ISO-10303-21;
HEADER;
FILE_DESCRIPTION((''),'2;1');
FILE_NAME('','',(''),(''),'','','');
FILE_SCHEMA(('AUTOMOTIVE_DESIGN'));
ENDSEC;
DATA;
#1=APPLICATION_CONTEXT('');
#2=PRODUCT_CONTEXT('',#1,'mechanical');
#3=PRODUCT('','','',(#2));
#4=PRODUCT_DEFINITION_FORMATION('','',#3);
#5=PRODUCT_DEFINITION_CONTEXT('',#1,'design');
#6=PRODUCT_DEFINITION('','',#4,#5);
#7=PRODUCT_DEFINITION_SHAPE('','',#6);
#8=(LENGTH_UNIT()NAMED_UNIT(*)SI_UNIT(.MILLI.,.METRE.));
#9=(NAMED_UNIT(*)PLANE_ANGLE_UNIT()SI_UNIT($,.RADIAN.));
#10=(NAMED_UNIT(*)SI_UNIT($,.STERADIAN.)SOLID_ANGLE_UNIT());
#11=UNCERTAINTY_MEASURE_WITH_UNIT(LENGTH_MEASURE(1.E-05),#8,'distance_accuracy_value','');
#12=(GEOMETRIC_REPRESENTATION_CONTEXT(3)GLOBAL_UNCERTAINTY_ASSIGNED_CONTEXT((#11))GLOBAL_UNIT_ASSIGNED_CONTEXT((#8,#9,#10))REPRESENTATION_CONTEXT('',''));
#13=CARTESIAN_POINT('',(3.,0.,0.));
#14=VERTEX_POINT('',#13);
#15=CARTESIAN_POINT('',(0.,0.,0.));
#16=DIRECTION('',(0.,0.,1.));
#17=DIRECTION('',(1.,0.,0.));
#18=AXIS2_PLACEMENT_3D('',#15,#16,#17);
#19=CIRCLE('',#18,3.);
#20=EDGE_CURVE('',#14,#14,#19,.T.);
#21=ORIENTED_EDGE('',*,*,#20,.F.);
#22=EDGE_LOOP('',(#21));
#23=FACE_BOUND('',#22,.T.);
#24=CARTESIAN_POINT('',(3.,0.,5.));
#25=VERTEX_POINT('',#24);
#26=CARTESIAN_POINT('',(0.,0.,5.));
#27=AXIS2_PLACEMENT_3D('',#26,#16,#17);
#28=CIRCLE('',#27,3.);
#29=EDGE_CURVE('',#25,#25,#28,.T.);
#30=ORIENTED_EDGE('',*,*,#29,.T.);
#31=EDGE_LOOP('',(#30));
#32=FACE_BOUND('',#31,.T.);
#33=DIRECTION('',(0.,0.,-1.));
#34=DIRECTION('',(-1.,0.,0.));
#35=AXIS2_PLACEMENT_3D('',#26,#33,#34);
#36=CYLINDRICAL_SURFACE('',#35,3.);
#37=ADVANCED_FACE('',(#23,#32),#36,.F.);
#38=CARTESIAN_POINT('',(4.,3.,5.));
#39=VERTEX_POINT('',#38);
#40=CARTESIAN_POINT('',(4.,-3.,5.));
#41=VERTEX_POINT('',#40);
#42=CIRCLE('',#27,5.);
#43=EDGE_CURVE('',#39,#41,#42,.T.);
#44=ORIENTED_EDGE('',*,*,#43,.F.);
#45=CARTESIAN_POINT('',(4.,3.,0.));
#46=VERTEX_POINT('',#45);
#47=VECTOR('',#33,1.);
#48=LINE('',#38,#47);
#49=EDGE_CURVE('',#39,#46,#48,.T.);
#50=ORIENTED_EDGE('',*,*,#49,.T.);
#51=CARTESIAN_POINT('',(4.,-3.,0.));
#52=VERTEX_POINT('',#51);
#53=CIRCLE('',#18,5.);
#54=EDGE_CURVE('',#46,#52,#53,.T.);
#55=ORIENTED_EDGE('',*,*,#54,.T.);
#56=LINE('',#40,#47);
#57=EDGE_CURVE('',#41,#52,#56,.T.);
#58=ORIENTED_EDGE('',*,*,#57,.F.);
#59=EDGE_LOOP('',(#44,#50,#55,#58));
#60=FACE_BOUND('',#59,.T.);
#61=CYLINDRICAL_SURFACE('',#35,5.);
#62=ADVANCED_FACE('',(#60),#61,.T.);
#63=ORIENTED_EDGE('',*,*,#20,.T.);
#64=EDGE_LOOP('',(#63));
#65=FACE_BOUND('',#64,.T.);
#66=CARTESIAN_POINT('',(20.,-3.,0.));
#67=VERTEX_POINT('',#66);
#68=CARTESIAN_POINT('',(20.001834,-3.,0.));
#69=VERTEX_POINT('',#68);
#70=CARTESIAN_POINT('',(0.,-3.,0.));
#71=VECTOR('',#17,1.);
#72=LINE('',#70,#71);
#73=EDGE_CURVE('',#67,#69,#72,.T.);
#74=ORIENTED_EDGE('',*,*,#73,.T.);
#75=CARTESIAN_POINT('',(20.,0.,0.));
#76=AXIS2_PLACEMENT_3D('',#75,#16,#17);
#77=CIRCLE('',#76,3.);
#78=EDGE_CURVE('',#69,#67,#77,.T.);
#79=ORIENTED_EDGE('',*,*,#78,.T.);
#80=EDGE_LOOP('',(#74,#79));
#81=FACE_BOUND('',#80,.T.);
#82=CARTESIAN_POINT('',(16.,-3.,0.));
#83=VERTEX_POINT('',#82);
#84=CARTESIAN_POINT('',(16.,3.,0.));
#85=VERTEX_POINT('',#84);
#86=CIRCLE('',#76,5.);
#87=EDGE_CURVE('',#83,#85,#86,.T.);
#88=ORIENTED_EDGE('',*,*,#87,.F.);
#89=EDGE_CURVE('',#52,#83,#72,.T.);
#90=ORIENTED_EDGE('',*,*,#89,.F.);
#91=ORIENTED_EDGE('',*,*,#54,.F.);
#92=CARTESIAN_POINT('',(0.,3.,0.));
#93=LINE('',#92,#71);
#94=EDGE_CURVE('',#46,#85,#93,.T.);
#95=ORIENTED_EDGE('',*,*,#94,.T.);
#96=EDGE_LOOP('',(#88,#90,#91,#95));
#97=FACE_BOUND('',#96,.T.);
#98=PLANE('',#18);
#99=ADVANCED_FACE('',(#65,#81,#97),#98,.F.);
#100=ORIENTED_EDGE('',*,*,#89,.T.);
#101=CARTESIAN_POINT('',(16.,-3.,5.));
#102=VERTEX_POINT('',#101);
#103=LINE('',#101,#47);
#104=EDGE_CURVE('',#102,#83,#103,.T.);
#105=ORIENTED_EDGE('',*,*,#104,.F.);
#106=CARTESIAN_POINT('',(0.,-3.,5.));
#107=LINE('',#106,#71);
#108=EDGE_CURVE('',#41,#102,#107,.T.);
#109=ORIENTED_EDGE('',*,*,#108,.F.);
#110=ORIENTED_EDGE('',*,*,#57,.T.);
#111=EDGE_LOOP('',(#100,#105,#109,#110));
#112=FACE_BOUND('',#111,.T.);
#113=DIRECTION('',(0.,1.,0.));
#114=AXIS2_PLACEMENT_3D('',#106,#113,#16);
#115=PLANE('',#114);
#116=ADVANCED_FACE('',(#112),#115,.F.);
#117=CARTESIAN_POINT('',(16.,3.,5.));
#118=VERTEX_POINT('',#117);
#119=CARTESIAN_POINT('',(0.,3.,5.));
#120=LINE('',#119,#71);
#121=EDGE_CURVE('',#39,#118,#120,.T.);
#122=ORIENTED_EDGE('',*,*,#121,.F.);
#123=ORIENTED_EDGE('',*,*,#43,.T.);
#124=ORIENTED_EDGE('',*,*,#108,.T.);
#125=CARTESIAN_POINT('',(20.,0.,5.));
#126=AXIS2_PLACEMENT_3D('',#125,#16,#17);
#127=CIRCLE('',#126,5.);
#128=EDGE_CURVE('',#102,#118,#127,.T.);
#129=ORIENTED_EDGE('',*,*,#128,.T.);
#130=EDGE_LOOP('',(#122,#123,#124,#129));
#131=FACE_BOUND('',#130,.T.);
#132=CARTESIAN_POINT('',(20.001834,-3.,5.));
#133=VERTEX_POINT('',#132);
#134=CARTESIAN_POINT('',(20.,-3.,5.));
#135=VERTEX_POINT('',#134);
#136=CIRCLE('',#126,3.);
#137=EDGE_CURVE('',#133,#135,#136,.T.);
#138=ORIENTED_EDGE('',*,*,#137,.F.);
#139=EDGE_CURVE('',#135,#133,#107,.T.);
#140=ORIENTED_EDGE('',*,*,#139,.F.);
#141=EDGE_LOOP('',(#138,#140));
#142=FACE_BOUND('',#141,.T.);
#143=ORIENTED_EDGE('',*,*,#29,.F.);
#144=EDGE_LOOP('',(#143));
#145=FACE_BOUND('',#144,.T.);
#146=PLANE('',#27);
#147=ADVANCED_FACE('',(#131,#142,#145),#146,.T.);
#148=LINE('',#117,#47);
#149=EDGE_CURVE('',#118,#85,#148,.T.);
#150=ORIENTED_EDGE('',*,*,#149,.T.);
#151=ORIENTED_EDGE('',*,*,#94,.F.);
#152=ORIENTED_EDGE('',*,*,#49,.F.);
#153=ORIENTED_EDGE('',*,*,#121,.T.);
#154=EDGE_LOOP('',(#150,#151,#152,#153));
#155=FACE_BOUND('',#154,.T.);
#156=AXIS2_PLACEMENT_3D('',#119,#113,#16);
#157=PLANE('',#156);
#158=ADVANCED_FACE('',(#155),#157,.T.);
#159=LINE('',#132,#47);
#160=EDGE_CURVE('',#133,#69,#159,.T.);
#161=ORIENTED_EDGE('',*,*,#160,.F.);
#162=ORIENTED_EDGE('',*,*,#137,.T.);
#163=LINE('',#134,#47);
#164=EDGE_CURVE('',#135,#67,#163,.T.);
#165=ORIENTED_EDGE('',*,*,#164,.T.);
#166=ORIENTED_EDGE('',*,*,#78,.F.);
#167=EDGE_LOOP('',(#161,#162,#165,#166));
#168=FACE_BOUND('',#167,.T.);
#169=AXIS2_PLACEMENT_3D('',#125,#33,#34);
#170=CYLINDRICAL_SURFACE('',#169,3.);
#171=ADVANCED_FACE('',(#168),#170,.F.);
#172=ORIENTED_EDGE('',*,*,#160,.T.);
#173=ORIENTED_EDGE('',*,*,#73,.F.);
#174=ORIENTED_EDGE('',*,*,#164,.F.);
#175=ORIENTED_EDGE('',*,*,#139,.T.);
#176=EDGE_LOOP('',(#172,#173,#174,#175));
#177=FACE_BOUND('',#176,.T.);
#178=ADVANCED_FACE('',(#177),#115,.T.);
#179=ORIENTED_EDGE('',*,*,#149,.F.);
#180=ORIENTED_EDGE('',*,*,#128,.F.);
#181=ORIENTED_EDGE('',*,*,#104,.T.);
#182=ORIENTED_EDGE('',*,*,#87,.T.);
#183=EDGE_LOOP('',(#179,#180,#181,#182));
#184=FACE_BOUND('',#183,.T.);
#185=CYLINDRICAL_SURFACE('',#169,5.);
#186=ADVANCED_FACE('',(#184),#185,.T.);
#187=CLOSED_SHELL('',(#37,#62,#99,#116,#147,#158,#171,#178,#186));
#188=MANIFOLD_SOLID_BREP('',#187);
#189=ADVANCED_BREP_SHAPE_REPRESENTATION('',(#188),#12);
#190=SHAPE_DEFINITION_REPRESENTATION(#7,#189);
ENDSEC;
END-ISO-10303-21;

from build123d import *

# Parameters (mm, degrees)
SKETCH_1_R      = 3
EXTRUDE_1_DEPTH = 5


with BuildPart() as part:
    # 草图1 → 凸台-拉伸1 (new body)
    with BuildSketch(Plane.XY):
        with BuildLine():
            Line((4, 3), (16, 3))
            ThreePointArc((16, 3), (25, 0), (16, -3))
            Line((16, -3), (4, -3))
            ThreePointArc((4, -3), (-5, 0), (4, 3))
        make_face()
        Circle(SKETCH_1_R, mode=Mode.SUBTRACT)
        with Locations((20, 0)):
            Circle(SKETCH_1_R, mode=Mode.SUBTRACT)
    extrude(amount=EXTRUDE_1_DEPTH)


solid = part.part
